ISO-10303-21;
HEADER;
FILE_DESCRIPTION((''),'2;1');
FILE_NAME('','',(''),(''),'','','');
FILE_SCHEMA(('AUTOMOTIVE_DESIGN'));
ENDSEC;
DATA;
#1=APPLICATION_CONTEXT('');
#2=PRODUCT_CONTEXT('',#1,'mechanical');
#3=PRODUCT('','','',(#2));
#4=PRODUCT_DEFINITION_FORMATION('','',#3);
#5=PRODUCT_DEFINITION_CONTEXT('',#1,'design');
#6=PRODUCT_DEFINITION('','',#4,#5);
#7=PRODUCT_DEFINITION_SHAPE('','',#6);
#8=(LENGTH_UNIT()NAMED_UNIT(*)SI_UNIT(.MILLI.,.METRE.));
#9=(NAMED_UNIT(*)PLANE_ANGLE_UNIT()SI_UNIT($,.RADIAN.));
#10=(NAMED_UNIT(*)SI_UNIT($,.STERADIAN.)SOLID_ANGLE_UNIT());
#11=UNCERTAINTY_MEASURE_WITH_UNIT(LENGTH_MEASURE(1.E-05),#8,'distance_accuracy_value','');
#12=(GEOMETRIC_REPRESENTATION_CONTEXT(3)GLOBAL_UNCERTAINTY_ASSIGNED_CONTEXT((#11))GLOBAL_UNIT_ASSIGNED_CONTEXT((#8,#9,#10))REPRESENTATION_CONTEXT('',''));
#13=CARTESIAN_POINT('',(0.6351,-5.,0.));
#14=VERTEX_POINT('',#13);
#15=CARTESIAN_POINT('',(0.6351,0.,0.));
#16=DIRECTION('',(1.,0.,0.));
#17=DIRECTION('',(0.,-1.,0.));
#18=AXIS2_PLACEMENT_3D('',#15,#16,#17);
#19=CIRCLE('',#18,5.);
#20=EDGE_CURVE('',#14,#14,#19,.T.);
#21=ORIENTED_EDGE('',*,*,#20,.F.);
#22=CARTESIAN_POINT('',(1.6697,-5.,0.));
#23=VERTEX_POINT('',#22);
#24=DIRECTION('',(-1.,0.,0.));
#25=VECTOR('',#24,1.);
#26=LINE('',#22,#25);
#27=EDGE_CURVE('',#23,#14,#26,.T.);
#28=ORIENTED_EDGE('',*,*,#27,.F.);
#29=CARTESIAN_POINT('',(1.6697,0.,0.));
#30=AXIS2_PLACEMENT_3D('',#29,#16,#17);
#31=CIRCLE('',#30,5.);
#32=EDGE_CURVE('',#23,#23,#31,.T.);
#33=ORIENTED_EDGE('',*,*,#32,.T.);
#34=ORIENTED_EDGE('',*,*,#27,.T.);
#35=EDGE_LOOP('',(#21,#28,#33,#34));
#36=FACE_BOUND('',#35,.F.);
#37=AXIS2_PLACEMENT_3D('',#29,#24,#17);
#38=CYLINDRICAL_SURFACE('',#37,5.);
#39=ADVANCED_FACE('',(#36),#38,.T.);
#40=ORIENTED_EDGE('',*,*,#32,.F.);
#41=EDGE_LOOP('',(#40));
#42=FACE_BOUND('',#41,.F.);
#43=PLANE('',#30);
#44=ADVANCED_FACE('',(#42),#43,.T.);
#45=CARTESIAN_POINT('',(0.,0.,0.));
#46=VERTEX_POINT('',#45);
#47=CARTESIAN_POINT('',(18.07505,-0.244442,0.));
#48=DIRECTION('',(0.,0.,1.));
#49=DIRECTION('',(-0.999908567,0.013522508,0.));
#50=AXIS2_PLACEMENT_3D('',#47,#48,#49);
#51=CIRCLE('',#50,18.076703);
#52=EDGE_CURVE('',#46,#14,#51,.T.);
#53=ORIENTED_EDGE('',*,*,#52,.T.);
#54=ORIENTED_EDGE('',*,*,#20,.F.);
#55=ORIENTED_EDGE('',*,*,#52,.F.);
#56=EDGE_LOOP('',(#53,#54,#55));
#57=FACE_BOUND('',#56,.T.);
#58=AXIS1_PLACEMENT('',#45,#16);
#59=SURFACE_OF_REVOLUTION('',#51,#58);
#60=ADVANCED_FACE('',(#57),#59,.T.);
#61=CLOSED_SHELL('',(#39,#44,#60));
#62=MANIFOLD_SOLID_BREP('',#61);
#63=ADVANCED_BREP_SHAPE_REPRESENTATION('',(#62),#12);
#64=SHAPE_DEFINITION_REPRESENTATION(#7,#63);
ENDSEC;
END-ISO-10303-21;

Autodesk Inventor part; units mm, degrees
ref_plane "YZ Plane" through (0, 0, 0) normal (1, 0, 0) x (0, 1, 0)
ref_plane "XZ Plane" through (0, 0, 0) normal (0, 1, 0) x (-1, 0, 0)
ref_plane "XY Plane" through (0, 0, 0) normal (0, 0, 1) x (1, 0, 0)
sketch "스케치1" plane through (0, 0, 0) normal (0, 0, 1) x (1, 0, 0)
  line L0 (0, 0) -> (8.9929, 0)
  line L1 (1.6697, 5) -> (1.6697, -5) projected
  line L2 (1.6697, 0) -> (1.6697, -5)
  line L3 (1.6697, -5) -> (0.6351, -5)
  line L4 (1.6697, -5) -> (0.6351, -5)
  arc A0 (0, 0) -> (0.6351, -5) centre (18.0758, -0.2444) ccw
  point P0 (1.6697, 0)
revolve "회전1" add sketch "스케치1" angle 360 about axis through (0, 0, 0) along (1, 0, 0)
properties part number "카메라 창"
